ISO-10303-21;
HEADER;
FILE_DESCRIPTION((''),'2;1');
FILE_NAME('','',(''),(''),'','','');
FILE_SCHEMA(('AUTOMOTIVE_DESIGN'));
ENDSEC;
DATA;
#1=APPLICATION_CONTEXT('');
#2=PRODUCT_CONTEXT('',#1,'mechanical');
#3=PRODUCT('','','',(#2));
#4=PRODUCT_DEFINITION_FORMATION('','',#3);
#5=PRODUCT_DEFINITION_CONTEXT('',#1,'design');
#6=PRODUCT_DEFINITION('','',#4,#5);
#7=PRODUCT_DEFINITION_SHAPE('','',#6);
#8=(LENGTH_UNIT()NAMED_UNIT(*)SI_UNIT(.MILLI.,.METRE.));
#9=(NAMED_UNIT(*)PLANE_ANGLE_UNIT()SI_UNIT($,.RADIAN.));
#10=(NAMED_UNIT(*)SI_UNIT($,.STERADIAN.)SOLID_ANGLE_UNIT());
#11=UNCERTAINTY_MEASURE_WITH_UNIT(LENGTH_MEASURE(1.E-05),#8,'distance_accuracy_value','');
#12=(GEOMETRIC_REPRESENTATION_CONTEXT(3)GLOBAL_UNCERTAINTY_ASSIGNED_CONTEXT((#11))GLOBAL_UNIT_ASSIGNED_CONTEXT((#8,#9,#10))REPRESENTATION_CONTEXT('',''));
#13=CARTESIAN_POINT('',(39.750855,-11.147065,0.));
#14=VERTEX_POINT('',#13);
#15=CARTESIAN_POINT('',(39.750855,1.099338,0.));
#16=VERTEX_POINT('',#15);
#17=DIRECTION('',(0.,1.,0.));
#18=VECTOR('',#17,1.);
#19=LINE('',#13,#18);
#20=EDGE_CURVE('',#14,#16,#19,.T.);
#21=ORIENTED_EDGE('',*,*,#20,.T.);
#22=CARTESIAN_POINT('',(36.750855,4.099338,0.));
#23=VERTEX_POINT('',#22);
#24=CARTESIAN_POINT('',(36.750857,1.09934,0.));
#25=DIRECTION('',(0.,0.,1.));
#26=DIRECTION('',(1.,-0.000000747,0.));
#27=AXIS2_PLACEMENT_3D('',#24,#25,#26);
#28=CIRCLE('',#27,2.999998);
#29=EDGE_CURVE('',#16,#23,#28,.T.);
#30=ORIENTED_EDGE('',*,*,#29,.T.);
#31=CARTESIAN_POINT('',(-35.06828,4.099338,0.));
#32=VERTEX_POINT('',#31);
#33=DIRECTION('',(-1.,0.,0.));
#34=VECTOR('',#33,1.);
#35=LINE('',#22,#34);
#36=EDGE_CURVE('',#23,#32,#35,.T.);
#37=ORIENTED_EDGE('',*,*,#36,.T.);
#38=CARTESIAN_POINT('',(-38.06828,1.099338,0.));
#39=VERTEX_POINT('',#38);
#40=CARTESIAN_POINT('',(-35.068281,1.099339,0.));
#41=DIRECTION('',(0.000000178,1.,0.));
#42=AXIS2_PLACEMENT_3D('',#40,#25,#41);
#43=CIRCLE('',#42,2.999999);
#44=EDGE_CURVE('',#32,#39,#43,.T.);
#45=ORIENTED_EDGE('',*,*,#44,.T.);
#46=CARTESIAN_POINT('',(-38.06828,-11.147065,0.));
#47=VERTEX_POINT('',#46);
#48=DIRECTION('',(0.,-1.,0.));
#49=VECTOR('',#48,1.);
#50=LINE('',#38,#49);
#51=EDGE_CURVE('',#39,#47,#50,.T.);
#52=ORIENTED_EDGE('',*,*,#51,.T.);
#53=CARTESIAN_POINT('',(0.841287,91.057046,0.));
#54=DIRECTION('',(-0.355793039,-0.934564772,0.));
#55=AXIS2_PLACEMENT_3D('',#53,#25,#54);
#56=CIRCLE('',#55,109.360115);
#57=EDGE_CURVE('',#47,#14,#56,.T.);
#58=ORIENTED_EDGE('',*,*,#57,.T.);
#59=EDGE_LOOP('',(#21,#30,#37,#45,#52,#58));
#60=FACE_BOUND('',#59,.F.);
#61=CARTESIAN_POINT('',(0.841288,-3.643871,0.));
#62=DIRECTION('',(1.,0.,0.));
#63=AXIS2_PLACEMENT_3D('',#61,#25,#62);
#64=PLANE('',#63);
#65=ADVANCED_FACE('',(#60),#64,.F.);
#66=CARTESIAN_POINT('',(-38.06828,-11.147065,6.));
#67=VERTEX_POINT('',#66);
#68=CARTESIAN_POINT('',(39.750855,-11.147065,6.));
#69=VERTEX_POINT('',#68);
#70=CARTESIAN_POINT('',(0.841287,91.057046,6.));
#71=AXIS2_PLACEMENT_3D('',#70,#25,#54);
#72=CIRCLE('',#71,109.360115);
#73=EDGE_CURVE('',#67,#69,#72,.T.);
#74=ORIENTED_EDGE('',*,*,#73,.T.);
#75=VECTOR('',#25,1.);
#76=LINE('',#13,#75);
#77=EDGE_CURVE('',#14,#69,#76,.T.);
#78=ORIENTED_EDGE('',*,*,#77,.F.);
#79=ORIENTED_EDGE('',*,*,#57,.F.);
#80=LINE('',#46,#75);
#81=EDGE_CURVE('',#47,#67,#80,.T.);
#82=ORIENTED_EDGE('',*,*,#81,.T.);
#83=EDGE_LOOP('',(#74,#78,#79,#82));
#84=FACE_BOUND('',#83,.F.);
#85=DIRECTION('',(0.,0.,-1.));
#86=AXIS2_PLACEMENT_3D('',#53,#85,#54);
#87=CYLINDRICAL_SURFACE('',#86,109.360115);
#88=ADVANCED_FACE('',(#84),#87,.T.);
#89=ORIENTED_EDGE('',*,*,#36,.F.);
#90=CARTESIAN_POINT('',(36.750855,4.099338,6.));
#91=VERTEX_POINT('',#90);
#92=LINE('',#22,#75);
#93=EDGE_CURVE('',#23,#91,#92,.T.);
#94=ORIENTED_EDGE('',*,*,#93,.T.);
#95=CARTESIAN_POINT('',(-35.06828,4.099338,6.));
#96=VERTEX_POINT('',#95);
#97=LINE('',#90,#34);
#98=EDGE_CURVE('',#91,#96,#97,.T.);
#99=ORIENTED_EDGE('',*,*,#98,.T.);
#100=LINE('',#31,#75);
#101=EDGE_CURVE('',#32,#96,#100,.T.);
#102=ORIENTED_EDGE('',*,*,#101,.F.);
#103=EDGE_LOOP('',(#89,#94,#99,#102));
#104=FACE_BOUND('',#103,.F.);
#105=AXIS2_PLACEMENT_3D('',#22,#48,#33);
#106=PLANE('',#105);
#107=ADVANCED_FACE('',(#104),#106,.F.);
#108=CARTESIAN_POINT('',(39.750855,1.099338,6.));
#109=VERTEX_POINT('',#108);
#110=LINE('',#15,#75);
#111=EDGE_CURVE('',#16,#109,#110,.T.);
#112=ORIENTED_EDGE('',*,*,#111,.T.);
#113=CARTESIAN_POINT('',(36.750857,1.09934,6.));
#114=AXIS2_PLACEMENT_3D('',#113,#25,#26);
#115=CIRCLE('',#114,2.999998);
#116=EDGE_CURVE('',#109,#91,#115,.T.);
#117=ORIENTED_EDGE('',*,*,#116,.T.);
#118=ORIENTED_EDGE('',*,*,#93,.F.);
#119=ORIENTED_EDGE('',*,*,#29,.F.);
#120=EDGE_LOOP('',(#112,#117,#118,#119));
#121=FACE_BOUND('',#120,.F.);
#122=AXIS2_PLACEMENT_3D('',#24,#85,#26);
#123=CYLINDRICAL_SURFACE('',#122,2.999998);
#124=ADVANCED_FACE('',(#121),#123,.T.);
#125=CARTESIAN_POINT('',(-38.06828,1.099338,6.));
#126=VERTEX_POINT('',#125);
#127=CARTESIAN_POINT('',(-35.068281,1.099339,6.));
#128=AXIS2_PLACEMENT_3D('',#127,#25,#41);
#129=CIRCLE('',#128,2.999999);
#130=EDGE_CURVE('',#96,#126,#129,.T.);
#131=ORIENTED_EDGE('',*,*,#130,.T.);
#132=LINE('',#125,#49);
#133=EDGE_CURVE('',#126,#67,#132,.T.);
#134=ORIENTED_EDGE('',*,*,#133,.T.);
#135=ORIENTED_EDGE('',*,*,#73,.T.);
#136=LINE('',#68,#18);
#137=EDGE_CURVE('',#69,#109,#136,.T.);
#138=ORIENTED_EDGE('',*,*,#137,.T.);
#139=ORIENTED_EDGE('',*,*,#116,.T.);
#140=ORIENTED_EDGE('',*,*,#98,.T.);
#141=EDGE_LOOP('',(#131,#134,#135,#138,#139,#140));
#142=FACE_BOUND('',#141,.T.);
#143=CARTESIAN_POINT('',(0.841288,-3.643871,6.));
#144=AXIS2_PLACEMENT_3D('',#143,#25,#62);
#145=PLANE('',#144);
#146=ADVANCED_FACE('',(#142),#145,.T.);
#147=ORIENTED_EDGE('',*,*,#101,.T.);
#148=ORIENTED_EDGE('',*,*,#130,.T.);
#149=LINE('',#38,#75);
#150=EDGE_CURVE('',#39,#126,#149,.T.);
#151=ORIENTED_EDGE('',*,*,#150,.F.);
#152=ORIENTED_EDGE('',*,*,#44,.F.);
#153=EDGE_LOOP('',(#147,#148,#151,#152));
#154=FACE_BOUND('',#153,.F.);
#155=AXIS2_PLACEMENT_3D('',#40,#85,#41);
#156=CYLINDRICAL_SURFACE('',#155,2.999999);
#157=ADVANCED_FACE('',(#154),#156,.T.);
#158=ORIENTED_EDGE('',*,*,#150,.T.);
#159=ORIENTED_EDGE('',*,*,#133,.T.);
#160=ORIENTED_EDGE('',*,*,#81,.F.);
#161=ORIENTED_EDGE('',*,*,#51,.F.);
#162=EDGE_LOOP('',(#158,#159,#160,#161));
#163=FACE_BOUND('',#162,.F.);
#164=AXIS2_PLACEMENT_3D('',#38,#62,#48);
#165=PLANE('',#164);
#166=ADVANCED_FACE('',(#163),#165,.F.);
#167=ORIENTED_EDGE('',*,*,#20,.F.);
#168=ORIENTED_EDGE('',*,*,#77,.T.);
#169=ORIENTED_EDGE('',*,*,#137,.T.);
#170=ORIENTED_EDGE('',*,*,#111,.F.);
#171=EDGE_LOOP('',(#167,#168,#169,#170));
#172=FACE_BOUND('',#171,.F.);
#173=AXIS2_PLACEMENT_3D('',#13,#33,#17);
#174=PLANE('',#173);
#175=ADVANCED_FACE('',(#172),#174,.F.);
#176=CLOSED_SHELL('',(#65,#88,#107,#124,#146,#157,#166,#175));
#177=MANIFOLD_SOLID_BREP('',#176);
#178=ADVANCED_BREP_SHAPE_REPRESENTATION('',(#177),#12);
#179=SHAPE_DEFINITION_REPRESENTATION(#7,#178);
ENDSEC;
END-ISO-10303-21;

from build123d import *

# Parameters (mm, degrees)
F1_DEPTH = 6


with BuildPart() as f1:
    # F0 (on Top) → F1 (new body)
    with BuildSketch(Plane.XY):
        with BuildLine():
            Line((36.750855, 4.099338), (-35.06828, 4.099338))
            ThreePointArc((-35.06828, 4.099338), (-37.1896, 3.220659), (-38.06828, 1.099338))
            Line((-38.06828, 1.099338), (-38.06828, -11.147065))
            Line((-38.06828, -11.147065), (39.750855, -11.147065))
            Line((39.750855, -11.147065), (39.750855, 1.099338))
            ThreePointArc((39.750855, 1.099338), (38.872176, 3.220659), (36.750855, 4.099338))
        make_face()
        with BuildLine():
            Line((39.750855, -11.147065), (-38.06828, -11.147065))
            ThreePointArc((-38.06828, -11.147065), (0.841288, -18.303069), (39.750855, -11.147065))
        make_face()
    extrude(amount=F1_DEPTH)


solid = f1.part
